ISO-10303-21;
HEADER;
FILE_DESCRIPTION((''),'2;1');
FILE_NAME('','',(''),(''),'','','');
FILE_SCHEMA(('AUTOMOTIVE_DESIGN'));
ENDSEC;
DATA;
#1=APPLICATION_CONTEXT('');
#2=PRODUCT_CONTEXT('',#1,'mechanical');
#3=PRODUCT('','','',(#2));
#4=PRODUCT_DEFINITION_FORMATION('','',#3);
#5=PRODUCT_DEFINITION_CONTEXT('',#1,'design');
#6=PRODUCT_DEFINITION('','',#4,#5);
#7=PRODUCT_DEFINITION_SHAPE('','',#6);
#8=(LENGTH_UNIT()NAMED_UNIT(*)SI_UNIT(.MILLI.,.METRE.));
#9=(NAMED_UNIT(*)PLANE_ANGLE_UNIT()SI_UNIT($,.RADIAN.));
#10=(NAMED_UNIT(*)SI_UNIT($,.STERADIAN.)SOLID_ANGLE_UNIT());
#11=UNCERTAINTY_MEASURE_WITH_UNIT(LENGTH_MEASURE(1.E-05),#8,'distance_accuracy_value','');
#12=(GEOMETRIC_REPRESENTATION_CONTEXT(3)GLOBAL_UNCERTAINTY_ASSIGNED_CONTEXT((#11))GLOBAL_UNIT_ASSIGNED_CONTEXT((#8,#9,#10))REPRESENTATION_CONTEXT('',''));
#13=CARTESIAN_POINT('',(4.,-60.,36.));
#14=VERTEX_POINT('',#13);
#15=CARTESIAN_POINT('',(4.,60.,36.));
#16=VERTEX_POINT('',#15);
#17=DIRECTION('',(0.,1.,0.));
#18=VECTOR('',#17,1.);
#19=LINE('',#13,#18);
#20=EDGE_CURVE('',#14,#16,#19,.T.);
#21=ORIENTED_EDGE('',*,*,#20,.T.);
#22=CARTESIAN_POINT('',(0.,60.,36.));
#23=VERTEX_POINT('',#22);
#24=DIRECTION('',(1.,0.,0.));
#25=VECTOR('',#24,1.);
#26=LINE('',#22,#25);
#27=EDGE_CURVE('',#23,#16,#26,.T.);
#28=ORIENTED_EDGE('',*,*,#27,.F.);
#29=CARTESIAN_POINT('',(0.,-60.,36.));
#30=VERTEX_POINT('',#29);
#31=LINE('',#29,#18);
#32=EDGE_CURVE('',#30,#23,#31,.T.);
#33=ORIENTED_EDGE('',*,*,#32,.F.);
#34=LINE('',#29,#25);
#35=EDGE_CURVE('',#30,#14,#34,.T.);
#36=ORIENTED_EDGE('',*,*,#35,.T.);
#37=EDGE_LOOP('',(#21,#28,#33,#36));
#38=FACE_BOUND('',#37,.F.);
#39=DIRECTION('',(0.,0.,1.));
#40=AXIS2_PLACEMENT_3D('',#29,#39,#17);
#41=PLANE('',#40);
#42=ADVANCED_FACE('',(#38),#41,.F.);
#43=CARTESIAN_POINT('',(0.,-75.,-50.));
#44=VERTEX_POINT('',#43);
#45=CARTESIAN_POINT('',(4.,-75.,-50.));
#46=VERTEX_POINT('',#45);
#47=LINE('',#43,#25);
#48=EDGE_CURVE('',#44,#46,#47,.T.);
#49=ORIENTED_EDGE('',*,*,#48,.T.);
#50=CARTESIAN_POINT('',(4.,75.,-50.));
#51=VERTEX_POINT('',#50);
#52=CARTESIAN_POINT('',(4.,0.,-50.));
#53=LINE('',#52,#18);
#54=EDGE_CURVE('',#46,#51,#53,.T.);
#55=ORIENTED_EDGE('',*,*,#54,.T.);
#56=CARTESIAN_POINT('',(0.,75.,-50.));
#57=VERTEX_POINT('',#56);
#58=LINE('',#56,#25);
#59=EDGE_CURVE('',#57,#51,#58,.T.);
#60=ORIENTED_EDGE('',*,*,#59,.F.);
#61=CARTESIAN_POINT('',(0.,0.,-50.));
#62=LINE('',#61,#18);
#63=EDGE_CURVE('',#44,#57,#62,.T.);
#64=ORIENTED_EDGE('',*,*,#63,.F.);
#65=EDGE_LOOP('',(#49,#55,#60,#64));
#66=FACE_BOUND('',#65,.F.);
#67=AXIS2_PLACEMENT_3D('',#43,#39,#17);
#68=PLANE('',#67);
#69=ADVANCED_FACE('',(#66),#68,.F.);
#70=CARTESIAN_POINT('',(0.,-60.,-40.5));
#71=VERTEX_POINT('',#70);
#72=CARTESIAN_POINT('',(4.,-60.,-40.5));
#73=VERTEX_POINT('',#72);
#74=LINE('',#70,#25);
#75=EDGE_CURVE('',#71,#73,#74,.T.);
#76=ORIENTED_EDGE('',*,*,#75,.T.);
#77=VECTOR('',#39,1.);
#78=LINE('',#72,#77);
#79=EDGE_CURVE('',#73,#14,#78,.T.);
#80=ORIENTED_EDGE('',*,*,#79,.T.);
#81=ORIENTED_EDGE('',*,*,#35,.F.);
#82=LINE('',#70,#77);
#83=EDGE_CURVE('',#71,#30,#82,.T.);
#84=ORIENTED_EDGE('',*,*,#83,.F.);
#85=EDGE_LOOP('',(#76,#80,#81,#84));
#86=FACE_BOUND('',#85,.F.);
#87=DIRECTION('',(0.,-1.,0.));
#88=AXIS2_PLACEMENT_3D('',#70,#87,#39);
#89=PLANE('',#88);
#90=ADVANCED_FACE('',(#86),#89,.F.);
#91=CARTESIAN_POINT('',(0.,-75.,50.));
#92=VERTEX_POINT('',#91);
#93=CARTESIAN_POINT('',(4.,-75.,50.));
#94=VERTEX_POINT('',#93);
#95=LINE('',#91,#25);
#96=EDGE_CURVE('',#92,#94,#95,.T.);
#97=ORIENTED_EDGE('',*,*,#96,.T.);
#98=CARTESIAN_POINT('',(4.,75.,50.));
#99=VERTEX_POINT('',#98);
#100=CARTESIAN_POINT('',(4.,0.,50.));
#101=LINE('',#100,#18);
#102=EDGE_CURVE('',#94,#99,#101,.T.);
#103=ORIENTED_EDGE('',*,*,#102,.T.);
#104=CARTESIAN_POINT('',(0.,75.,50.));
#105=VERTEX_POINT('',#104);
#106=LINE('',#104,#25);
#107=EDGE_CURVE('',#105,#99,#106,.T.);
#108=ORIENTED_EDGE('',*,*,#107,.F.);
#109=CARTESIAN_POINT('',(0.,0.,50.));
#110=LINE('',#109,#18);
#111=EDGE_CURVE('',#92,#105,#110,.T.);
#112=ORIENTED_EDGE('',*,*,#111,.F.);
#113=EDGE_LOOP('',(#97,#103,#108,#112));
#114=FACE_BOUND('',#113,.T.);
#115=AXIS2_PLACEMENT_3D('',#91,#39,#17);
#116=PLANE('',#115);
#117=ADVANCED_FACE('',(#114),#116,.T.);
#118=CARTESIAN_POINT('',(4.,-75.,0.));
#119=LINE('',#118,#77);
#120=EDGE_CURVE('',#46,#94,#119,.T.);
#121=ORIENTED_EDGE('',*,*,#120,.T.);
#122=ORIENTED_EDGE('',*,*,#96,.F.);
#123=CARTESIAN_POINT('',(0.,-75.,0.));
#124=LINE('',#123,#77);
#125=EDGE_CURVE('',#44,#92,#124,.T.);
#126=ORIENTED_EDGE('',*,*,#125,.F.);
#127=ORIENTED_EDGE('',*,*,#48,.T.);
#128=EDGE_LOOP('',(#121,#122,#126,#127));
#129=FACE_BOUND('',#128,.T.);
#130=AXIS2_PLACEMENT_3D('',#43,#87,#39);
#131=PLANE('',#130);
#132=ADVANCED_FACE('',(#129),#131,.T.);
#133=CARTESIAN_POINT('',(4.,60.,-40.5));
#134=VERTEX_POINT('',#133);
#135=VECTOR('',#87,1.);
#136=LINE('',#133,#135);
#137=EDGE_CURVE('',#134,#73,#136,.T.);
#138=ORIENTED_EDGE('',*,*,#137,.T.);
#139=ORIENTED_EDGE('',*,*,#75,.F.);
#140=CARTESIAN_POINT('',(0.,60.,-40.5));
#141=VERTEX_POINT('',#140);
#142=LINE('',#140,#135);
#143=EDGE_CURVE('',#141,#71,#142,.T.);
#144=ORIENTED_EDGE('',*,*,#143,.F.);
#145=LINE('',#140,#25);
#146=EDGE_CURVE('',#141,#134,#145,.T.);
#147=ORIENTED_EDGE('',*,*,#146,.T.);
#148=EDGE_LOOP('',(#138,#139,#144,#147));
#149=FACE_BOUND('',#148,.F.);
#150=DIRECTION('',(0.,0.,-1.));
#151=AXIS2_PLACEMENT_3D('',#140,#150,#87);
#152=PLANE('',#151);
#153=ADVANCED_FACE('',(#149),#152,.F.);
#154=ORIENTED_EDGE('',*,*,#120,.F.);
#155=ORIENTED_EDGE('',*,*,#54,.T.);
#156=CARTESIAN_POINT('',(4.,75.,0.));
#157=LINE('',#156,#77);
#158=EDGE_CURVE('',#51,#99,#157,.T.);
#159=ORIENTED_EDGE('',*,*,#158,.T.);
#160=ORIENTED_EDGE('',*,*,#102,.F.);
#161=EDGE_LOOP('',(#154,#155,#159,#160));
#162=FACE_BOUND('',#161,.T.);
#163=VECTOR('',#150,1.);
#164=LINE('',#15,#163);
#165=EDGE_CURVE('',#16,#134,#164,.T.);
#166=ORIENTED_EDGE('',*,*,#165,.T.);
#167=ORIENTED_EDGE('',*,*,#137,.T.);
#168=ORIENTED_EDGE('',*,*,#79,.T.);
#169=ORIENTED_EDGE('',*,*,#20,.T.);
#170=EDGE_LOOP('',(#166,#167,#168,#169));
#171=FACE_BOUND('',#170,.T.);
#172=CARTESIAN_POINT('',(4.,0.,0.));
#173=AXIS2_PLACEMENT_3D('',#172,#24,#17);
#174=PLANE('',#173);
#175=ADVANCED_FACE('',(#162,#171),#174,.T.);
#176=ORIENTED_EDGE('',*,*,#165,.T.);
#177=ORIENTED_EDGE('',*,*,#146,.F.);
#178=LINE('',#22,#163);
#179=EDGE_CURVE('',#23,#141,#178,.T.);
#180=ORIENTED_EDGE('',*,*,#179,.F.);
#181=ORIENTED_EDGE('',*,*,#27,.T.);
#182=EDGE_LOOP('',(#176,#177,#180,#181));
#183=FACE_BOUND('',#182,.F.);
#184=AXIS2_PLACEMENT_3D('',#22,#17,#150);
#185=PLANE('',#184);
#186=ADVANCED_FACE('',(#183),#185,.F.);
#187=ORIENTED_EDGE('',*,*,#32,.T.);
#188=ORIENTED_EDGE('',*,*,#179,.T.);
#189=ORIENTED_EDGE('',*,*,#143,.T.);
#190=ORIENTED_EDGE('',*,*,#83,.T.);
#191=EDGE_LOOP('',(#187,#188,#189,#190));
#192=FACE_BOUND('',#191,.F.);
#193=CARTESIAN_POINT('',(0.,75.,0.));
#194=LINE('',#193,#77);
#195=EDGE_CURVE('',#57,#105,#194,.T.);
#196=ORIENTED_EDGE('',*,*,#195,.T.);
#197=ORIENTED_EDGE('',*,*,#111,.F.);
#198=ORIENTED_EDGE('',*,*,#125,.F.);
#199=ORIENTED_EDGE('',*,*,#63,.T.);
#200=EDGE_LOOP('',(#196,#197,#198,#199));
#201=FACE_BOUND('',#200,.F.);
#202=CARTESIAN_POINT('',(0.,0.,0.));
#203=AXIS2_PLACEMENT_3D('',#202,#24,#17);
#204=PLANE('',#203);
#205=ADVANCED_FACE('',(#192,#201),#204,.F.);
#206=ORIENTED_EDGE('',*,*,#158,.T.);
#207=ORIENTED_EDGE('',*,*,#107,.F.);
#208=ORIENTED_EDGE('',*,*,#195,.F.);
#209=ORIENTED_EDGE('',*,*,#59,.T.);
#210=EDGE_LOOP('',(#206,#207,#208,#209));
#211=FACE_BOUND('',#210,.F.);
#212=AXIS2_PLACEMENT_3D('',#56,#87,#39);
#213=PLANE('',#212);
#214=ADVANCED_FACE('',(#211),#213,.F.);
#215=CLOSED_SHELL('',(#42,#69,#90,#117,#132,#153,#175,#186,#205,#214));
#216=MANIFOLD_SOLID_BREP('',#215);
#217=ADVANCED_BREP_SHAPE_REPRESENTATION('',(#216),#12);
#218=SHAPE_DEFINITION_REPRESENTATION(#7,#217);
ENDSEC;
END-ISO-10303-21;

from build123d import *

# Parameters (mm, degrees)
F0_W     = 150
F0_H     = 100
F1_DEPTH = 4


with BuildPart() as f1:
    # F0 (on Right) → F1 (new body)
    with BuildSketch(Plane.YZ):
        Rectangle(F0_W, F0_H)
        Polygon((-60, 36), (0, 36), (60, 36), (60, 0), (60, -40.5), (0, -40.5), (-60, -40.5), (-60, 0), align=None, mode=Mode.SUBTRACT)
    extrude(amount=F1_DEPTH)


solid = f1.part
